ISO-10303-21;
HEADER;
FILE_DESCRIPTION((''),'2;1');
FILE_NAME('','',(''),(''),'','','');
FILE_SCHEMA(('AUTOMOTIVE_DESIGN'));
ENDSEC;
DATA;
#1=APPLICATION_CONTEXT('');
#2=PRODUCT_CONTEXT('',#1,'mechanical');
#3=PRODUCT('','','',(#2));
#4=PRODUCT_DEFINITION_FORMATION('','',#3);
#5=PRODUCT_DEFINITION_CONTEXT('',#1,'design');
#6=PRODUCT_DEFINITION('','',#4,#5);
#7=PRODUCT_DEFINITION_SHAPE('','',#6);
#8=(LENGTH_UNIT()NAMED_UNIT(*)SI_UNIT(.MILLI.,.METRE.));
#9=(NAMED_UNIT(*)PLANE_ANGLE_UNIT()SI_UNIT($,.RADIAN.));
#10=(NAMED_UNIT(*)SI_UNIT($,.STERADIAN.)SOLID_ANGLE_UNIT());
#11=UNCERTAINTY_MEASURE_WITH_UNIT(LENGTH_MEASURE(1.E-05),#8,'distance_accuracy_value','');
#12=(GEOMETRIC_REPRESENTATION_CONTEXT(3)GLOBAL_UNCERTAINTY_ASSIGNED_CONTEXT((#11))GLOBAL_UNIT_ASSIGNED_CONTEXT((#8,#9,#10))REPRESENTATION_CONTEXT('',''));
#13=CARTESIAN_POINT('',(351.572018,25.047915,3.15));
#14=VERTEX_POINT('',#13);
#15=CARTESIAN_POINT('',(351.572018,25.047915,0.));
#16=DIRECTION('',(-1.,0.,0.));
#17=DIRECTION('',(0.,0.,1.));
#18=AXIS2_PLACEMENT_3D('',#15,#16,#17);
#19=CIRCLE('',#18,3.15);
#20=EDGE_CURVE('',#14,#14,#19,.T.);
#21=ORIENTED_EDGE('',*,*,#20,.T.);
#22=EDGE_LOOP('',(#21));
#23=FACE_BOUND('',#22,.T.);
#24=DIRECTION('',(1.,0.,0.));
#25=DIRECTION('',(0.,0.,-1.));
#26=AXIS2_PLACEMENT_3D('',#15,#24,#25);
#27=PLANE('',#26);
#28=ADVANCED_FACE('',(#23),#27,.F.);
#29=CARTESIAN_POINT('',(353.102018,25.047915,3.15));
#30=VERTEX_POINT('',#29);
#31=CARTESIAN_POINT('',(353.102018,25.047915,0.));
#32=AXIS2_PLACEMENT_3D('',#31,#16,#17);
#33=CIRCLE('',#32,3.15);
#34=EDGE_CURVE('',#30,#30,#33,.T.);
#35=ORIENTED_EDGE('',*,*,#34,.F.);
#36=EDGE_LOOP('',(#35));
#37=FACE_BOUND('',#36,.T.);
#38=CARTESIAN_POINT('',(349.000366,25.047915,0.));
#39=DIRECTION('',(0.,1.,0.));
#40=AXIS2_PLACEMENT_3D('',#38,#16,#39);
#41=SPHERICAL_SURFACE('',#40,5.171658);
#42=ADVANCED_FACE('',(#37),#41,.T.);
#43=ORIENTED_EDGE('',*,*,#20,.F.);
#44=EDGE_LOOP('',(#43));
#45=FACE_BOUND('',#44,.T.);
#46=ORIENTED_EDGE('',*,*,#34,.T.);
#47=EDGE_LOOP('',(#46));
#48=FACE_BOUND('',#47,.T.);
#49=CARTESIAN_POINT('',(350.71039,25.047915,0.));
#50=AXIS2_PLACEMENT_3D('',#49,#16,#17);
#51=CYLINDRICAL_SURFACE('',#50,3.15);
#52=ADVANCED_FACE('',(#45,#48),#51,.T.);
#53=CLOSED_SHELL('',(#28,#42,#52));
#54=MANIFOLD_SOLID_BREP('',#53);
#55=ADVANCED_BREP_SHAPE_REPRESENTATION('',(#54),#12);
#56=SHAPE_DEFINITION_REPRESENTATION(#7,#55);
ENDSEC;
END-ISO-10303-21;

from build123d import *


with BuildPart() as part:
    # 草图1 → 旋转1 (revolve)
    with BuildSketch(Plane.XY):
        with BuildLine():
            Line((351.572017678, 25.047914772), (351.572017678, 28.197914772))
            Line((351.572017678, 28.197914772), (353.102017678, 28.197914772))
            ThreePointArc((353.102017678, 28.197914772), (353.897221466, 26.7113009), (354.172024051, 25.047914772))
            Line((354.172024051, 25.047914772), (351.572017678, 25.047914772))
        make_face()
    revolve(axis=Axis((350.710389509, 25.047914772, 0), (1, 0, 0)))


solid = part.part
